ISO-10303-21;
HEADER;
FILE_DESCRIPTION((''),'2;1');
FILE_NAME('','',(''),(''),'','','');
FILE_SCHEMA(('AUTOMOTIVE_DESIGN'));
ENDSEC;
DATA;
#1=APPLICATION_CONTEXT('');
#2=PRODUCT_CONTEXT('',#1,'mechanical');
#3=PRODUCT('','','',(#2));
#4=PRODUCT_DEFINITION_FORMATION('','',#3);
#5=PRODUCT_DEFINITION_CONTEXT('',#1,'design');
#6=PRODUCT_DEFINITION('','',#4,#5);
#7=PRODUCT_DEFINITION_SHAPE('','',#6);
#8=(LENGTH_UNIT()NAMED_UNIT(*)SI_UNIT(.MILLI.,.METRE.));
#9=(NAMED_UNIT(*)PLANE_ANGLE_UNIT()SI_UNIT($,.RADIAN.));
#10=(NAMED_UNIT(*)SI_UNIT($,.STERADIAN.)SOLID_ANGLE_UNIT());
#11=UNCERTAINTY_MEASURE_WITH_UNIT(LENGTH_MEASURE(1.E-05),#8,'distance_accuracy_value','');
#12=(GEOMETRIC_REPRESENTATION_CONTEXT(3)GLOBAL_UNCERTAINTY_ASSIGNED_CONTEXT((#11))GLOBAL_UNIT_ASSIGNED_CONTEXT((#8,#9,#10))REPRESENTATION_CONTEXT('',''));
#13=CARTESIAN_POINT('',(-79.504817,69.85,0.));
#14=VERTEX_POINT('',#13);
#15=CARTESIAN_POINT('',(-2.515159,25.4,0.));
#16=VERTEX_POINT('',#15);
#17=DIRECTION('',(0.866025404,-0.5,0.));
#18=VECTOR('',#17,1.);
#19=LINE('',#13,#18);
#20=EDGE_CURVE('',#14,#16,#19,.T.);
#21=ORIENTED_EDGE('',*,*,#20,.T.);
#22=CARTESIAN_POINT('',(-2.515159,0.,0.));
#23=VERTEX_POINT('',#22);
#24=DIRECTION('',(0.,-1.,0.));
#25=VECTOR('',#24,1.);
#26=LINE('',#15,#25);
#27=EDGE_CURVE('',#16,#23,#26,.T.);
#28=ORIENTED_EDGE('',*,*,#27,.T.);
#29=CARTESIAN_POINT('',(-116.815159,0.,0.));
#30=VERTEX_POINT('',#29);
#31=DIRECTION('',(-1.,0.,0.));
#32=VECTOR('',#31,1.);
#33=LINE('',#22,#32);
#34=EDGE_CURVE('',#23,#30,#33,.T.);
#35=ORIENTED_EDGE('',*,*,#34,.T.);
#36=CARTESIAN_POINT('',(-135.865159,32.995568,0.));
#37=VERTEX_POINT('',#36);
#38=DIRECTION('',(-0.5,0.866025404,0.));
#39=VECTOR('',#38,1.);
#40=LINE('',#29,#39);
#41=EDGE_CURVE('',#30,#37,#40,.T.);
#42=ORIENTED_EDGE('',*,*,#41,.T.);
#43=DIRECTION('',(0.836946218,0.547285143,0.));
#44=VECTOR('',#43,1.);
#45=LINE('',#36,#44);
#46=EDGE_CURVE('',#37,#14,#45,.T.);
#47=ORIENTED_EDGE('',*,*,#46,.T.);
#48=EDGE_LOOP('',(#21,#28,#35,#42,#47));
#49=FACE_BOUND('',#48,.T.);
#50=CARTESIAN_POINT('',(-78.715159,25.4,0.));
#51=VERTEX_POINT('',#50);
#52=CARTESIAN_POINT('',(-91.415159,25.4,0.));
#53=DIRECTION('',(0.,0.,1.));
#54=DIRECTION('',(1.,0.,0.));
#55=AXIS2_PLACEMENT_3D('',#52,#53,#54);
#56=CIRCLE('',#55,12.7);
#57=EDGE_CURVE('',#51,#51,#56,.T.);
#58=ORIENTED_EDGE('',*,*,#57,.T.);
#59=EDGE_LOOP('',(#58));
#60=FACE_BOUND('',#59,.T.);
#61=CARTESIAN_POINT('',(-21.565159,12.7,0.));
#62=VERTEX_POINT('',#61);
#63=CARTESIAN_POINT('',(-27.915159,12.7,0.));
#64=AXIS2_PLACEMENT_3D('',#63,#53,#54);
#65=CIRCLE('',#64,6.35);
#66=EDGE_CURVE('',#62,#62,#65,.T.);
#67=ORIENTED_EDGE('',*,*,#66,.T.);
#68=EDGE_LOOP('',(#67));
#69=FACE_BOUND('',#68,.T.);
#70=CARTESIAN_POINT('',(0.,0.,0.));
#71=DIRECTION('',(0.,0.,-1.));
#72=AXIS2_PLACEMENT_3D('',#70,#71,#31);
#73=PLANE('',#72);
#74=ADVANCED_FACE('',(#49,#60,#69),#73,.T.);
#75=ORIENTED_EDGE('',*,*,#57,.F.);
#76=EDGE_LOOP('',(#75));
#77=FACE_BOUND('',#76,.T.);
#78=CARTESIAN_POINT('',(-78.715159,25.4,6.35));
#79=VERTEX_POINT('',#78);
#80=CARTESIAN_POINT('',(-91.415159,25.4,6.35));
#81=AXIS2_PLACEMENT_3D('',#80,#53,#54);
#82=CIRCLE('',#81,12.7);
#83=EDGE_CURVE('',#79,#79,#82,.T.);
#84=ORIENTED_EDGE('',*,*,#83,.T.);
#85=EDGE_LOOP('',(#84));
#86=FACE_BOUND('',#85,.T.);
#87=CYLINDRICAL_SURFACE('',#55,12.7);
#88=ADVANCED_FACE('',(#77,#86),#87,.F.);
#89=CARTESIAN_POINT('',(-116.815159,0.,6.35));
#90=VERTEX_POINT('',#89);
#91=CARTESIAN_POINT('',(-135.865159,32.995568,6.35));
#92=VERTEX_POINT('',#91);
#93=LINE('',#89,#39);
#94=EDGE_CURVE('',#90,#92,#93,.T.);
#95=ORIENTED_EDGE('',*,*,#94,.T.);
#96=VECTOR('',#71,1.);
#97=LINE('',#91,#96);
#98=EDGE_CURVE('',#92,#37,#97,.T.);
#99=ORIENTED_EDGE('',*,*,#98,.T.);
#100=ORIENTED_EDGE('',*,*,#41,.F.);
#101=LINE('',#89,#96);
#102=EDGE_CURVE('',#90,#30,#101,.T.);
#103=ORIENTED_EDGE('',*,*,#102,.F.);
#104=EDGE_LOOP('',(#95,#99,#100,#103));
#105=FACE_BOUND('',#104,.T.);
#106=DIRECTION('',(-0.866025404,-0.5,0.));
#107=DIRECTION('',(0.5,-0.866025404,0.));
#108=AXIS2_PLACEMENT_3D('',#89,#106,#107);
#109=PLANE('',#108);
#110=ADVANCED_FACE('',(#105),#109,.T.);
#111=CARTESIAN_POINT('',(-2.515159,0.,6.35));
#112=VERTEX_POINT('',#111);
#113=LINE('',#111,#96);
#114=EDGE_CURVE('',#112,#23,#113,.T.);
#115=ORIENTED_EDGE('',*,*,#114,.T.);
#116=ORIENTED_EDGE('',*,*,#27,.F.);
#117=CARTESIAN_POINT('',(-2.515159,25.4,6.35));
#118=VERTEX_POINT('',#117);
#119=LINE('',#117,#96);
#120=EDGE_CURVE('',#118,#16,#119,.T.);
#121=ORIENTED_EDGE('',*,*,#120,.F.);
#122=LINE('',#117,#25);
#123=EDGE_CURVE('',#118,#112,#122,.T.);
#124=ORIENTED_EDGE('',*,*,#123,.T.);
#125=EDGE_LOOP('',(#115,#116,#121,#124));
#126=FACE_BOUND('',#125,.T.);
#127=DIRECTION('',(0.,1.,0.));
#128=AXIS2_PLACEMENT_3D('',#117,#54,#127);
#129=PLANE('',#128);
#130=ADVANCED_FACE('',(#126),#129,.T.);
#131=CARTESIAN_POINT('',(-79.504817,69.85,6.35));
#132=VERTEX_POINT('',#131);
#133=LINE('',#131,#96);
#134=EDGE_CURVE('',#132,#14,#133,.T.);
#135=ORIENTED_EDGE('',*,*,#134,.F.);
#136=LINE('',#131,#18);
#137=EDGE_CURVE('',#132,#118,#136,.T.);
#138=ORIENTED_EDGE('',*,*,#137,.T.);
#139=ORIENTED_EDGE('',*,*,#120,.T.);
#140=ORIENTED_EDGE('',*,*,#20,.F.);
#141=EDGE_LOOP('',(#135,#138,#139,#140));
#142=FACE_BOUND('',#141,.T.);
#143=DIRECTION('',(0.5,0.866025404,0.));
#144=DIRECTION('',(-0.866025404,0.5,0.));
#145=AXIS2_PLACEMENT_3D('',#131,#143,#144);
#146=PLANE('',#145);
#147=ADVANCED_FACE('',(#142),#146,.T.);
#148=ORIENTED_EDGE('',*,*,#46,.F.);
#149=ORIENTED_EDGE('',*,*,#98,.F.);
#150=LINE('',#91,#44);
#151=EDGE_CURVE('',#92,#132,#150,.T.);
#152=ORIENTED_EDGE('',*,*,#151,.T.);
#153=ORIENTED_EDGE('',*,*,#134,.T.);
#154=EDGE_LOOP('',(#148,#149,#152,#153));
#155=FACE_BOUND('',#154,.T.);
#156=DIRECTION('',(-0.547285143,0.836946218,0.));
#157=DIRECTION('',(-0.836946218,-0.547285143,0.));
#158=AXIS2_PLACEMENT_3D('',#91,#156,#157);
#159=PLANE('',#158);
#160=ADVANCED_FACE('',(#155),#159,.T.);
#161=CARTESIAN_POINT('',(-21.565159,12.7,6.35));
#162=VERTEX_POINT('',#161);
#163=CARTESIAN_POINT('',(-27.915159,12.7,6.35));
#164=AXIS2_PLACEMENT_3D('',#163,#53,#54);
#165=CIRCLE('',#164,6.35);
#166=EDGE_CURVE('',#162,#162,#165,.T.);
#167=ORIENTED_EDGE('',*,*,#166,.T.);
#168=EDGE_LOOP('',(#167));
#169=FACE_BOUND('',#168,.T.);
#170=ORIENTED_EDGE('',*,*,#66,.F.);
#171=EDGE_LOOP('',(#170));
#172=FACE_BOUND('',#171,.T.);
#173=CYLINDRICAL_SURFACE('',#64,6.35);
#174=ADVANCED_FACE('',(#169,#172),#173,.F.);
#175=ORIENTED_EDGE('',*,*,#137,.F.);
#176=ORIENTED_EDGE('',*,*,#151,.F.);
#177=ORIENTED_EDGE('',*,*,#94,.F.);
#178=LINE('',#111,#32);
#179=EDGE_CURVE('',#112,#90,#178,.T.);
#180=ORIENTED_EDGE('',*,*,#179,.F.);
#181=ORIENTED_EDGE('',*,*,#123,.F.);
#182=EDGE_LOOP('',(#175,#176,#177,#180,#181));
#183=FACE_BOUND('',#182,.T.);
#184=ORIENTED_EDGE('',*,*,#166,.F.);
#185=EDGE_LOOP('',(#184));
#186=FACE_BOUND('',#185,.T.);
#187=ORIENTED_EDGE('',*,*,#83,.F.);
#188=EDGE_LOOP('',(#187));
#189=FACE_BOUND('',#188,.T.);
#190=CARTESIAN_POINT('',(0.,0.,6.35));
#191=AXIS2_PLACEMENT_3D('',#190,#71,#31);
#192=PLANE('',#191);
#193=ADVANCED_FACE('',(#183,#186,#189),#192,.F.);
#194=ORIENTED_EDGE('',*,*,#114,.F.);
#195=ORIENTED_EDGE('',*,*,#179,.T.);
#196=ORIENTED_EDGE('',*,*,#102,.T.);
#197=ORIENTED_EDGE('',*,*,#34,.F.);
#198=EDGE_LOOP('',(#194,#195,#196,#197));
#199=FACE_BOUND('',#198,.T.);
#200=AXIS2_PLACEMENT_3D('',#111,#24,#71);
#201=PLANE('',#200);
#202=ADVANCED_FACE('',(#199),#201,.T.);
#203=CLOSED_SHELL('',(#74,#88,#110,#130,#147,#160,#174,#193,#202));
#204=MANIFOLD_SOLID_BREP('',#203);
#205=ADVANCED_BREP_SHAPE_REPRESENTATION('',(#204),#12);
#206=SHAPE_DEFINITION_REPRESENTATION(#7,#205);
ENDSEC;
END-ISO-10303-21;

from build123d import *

# Parameters (mm, degrees)
BOSS_EXTRUDE1_DEPTH = 6.35
SKETCH2_R           = 12.7
SKETCH2_R_2         = 6.35
CUT_EXTRUDE1_DEPTH  = 153.900903887


with BuildPart() as part:
    # Sketch1 → Boss-Extrude1 (new body)
    with BuildSketch(Plane.XY):
        Polygon((-79.504817321, 69.85), (-2.515158924, 25.4), (-2.515158924, 0), (-116.815158924, 0), (-135.865158924, 32.995567884), align=None)
    extrude(amount=BOSS_EXTRUDE1_DEPTH)

    # Sketch2 → Cut-Extrude1 (cut, through all)
    with BuildSketch(Plane.XY.offset(6.35)):
        with Locations((-91.415158924, 25.4)):
            Circle(SKETCH2_R)
        with Locations((-27.915158924, 12.7)):
            Circle(SKETCH2_R_2)
    extrude(amount=-CUT_EXTRUDE1_DEPTH, mode=Mode.SUBTRACT)


solid = part.part
